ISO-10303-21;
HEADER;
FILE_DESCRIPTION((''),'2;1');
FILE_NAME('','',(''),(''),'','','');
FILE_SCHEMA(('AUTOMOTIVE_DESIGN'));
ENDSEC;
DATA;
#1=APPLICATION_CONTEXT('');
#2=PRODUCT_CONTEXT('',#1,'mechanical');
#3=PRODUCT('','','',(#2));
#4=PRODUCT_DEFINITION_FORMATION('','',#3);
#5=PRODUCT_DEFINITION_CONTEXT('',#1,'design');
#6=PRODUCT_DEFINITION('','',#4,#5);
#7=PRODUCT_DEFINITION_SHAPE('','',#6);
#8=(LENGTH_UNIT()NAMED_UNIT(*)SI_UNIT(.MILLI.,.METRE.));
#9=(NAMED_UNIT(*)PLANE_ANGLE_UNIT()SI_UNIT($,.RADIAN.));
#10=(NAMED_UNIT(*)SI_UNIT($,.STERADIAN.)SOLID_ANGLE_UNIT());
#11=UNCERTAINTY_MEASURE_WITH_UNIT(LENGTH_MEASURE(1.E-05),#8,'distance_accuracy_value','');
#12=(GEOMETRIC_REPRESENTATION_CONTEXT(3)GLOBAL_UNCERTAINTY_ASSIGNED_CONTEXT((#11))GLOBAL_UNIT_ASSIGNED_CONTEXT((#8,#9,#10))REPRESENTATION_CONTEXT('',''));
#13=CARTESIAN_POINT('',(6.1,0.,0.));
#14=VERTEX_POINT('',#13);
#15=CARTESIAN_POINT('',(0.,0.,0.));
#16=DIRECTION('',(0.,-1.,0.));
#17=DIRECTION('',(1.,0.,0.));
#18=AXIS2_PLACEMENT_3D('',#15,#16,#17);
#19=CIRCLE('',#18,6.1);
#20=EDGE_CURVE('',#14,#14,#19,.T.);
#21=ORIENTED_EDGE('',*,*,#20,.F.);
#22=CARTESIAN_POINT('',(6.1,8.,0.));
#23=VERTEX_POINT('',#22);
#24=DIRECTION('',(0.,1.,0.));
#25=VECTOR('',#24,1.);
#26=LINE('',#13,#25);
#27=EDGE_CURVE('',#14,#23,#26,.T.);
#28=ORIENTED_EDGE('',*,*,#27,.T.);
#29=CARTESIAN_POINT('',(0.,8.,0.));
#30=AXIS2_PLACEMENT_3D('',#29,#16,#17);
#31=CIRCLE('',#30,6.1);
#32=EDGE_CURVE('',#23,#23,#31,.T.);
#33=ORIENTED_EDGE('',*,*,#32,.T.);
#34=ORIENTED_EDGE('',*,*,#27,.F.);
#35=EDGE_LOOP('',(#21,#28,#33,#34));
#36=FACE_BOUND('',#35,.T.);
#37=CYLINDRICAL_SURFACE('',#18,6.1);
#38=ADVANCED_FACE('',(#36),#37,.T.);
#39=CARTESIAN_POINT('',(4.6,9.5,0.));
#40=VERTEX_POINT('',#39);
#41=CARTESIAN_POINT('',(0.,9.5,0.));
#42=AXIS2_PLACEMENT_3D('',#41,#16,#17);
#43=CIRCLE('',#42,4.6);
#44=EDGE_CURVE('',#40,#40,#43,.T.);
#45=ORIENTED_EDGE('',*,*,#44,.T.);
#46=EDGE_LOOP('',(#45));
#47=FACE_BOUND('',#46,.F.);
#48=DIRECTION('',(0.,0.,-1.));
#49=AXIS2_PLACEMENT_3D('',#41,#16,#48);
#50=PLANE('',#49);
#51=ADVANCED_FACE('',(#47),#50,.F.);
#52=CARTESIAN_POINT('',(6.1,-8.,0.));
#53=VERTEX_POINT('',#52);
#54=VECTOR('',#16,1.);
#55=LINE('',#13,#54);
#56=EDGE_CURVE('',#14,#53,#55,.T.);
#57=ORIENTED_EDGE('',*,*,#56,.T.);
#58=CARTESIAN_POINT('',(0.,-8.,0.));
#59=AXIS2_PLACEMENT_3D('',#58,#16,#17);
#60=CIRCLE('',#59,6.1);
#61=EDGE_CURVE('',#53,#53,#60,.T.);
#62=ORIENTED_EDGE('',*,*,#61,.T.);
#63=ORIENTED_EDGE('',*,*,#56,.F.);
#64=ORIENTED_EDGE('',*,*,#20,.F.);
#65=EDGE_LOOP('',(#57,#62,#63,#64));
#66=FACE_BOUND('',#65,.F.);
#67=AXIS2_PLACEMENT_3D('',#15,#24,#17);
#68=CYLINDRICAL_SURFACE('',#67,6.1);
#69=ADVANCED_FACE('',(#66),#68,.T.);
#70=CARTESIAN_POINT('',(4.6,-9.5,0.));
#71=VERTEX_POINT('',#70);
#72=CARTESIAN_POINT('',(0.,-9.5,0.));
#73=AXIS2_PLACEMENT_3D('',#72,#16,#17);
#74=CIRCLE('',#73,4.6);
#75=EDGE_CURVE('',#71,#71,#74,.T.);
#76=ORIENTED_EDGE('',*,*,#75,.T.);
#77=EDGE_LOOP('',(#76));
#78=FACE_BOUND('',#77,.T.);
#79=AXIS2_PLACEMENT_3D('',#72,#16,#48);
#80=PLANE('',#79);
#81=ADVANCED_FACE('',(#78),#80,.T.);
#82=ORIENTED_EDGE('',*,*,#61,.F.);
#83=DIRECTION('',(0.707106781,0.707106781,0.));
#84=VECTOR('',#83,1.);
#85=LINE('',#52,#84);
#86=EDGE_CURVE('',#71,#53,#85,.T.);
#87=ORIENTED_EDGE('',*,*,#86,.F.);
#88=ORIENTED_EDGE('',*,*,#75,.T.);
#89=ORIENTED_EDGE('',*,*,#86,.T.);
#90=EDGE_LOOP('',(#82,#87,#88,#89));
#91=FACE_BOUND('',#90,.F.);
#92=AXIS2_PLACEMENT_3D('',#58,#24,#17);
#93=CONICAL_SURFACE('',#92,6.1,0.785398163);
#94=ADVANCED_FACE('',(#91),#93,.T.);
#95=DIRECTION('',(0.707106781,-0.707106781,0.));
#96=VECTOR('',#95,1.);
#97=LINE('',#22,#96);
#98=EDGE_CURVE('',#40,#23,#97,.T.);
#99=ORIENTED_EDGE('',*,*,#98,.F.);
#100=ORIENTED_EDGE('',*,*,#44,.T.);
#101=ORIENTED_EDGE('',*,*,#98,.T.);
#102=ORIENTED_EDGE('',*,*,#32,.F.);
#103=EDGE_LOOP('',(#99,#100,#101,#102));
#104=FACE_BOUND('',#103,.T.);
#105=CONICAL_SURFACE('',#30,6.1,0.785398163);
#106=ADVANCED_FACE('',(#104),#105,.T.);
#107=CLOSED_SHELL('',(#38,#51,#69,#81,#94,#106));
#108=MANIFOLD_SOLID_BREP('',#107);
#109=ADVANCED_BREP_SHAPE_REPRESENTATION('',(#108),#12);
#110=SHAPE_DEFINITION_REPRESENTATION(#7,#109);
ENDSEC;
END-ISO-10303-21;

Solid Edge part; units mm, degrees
sketch "Sketch1" plane through (0, 0, 0) normal (0, -1, 0) x (1, 0, 0)
  circle A0 centre (0, 0) radius 6.1
extrude "Protrusion1" add sketch "Sketch1" along normal mid plane 19
chamfer "Chanfro_1" distance 1.5 angle 45 1 edges at (-6.1, 9.5, 0) measured on face at (-3.9447, 9.5, 4.1887)
chamfer "Chanfro_2" distance 1.5 angle 45 1 edges at (-6.1, -9.5, 0) measured on face at (-3.9447, -9.5, 4.1887)
